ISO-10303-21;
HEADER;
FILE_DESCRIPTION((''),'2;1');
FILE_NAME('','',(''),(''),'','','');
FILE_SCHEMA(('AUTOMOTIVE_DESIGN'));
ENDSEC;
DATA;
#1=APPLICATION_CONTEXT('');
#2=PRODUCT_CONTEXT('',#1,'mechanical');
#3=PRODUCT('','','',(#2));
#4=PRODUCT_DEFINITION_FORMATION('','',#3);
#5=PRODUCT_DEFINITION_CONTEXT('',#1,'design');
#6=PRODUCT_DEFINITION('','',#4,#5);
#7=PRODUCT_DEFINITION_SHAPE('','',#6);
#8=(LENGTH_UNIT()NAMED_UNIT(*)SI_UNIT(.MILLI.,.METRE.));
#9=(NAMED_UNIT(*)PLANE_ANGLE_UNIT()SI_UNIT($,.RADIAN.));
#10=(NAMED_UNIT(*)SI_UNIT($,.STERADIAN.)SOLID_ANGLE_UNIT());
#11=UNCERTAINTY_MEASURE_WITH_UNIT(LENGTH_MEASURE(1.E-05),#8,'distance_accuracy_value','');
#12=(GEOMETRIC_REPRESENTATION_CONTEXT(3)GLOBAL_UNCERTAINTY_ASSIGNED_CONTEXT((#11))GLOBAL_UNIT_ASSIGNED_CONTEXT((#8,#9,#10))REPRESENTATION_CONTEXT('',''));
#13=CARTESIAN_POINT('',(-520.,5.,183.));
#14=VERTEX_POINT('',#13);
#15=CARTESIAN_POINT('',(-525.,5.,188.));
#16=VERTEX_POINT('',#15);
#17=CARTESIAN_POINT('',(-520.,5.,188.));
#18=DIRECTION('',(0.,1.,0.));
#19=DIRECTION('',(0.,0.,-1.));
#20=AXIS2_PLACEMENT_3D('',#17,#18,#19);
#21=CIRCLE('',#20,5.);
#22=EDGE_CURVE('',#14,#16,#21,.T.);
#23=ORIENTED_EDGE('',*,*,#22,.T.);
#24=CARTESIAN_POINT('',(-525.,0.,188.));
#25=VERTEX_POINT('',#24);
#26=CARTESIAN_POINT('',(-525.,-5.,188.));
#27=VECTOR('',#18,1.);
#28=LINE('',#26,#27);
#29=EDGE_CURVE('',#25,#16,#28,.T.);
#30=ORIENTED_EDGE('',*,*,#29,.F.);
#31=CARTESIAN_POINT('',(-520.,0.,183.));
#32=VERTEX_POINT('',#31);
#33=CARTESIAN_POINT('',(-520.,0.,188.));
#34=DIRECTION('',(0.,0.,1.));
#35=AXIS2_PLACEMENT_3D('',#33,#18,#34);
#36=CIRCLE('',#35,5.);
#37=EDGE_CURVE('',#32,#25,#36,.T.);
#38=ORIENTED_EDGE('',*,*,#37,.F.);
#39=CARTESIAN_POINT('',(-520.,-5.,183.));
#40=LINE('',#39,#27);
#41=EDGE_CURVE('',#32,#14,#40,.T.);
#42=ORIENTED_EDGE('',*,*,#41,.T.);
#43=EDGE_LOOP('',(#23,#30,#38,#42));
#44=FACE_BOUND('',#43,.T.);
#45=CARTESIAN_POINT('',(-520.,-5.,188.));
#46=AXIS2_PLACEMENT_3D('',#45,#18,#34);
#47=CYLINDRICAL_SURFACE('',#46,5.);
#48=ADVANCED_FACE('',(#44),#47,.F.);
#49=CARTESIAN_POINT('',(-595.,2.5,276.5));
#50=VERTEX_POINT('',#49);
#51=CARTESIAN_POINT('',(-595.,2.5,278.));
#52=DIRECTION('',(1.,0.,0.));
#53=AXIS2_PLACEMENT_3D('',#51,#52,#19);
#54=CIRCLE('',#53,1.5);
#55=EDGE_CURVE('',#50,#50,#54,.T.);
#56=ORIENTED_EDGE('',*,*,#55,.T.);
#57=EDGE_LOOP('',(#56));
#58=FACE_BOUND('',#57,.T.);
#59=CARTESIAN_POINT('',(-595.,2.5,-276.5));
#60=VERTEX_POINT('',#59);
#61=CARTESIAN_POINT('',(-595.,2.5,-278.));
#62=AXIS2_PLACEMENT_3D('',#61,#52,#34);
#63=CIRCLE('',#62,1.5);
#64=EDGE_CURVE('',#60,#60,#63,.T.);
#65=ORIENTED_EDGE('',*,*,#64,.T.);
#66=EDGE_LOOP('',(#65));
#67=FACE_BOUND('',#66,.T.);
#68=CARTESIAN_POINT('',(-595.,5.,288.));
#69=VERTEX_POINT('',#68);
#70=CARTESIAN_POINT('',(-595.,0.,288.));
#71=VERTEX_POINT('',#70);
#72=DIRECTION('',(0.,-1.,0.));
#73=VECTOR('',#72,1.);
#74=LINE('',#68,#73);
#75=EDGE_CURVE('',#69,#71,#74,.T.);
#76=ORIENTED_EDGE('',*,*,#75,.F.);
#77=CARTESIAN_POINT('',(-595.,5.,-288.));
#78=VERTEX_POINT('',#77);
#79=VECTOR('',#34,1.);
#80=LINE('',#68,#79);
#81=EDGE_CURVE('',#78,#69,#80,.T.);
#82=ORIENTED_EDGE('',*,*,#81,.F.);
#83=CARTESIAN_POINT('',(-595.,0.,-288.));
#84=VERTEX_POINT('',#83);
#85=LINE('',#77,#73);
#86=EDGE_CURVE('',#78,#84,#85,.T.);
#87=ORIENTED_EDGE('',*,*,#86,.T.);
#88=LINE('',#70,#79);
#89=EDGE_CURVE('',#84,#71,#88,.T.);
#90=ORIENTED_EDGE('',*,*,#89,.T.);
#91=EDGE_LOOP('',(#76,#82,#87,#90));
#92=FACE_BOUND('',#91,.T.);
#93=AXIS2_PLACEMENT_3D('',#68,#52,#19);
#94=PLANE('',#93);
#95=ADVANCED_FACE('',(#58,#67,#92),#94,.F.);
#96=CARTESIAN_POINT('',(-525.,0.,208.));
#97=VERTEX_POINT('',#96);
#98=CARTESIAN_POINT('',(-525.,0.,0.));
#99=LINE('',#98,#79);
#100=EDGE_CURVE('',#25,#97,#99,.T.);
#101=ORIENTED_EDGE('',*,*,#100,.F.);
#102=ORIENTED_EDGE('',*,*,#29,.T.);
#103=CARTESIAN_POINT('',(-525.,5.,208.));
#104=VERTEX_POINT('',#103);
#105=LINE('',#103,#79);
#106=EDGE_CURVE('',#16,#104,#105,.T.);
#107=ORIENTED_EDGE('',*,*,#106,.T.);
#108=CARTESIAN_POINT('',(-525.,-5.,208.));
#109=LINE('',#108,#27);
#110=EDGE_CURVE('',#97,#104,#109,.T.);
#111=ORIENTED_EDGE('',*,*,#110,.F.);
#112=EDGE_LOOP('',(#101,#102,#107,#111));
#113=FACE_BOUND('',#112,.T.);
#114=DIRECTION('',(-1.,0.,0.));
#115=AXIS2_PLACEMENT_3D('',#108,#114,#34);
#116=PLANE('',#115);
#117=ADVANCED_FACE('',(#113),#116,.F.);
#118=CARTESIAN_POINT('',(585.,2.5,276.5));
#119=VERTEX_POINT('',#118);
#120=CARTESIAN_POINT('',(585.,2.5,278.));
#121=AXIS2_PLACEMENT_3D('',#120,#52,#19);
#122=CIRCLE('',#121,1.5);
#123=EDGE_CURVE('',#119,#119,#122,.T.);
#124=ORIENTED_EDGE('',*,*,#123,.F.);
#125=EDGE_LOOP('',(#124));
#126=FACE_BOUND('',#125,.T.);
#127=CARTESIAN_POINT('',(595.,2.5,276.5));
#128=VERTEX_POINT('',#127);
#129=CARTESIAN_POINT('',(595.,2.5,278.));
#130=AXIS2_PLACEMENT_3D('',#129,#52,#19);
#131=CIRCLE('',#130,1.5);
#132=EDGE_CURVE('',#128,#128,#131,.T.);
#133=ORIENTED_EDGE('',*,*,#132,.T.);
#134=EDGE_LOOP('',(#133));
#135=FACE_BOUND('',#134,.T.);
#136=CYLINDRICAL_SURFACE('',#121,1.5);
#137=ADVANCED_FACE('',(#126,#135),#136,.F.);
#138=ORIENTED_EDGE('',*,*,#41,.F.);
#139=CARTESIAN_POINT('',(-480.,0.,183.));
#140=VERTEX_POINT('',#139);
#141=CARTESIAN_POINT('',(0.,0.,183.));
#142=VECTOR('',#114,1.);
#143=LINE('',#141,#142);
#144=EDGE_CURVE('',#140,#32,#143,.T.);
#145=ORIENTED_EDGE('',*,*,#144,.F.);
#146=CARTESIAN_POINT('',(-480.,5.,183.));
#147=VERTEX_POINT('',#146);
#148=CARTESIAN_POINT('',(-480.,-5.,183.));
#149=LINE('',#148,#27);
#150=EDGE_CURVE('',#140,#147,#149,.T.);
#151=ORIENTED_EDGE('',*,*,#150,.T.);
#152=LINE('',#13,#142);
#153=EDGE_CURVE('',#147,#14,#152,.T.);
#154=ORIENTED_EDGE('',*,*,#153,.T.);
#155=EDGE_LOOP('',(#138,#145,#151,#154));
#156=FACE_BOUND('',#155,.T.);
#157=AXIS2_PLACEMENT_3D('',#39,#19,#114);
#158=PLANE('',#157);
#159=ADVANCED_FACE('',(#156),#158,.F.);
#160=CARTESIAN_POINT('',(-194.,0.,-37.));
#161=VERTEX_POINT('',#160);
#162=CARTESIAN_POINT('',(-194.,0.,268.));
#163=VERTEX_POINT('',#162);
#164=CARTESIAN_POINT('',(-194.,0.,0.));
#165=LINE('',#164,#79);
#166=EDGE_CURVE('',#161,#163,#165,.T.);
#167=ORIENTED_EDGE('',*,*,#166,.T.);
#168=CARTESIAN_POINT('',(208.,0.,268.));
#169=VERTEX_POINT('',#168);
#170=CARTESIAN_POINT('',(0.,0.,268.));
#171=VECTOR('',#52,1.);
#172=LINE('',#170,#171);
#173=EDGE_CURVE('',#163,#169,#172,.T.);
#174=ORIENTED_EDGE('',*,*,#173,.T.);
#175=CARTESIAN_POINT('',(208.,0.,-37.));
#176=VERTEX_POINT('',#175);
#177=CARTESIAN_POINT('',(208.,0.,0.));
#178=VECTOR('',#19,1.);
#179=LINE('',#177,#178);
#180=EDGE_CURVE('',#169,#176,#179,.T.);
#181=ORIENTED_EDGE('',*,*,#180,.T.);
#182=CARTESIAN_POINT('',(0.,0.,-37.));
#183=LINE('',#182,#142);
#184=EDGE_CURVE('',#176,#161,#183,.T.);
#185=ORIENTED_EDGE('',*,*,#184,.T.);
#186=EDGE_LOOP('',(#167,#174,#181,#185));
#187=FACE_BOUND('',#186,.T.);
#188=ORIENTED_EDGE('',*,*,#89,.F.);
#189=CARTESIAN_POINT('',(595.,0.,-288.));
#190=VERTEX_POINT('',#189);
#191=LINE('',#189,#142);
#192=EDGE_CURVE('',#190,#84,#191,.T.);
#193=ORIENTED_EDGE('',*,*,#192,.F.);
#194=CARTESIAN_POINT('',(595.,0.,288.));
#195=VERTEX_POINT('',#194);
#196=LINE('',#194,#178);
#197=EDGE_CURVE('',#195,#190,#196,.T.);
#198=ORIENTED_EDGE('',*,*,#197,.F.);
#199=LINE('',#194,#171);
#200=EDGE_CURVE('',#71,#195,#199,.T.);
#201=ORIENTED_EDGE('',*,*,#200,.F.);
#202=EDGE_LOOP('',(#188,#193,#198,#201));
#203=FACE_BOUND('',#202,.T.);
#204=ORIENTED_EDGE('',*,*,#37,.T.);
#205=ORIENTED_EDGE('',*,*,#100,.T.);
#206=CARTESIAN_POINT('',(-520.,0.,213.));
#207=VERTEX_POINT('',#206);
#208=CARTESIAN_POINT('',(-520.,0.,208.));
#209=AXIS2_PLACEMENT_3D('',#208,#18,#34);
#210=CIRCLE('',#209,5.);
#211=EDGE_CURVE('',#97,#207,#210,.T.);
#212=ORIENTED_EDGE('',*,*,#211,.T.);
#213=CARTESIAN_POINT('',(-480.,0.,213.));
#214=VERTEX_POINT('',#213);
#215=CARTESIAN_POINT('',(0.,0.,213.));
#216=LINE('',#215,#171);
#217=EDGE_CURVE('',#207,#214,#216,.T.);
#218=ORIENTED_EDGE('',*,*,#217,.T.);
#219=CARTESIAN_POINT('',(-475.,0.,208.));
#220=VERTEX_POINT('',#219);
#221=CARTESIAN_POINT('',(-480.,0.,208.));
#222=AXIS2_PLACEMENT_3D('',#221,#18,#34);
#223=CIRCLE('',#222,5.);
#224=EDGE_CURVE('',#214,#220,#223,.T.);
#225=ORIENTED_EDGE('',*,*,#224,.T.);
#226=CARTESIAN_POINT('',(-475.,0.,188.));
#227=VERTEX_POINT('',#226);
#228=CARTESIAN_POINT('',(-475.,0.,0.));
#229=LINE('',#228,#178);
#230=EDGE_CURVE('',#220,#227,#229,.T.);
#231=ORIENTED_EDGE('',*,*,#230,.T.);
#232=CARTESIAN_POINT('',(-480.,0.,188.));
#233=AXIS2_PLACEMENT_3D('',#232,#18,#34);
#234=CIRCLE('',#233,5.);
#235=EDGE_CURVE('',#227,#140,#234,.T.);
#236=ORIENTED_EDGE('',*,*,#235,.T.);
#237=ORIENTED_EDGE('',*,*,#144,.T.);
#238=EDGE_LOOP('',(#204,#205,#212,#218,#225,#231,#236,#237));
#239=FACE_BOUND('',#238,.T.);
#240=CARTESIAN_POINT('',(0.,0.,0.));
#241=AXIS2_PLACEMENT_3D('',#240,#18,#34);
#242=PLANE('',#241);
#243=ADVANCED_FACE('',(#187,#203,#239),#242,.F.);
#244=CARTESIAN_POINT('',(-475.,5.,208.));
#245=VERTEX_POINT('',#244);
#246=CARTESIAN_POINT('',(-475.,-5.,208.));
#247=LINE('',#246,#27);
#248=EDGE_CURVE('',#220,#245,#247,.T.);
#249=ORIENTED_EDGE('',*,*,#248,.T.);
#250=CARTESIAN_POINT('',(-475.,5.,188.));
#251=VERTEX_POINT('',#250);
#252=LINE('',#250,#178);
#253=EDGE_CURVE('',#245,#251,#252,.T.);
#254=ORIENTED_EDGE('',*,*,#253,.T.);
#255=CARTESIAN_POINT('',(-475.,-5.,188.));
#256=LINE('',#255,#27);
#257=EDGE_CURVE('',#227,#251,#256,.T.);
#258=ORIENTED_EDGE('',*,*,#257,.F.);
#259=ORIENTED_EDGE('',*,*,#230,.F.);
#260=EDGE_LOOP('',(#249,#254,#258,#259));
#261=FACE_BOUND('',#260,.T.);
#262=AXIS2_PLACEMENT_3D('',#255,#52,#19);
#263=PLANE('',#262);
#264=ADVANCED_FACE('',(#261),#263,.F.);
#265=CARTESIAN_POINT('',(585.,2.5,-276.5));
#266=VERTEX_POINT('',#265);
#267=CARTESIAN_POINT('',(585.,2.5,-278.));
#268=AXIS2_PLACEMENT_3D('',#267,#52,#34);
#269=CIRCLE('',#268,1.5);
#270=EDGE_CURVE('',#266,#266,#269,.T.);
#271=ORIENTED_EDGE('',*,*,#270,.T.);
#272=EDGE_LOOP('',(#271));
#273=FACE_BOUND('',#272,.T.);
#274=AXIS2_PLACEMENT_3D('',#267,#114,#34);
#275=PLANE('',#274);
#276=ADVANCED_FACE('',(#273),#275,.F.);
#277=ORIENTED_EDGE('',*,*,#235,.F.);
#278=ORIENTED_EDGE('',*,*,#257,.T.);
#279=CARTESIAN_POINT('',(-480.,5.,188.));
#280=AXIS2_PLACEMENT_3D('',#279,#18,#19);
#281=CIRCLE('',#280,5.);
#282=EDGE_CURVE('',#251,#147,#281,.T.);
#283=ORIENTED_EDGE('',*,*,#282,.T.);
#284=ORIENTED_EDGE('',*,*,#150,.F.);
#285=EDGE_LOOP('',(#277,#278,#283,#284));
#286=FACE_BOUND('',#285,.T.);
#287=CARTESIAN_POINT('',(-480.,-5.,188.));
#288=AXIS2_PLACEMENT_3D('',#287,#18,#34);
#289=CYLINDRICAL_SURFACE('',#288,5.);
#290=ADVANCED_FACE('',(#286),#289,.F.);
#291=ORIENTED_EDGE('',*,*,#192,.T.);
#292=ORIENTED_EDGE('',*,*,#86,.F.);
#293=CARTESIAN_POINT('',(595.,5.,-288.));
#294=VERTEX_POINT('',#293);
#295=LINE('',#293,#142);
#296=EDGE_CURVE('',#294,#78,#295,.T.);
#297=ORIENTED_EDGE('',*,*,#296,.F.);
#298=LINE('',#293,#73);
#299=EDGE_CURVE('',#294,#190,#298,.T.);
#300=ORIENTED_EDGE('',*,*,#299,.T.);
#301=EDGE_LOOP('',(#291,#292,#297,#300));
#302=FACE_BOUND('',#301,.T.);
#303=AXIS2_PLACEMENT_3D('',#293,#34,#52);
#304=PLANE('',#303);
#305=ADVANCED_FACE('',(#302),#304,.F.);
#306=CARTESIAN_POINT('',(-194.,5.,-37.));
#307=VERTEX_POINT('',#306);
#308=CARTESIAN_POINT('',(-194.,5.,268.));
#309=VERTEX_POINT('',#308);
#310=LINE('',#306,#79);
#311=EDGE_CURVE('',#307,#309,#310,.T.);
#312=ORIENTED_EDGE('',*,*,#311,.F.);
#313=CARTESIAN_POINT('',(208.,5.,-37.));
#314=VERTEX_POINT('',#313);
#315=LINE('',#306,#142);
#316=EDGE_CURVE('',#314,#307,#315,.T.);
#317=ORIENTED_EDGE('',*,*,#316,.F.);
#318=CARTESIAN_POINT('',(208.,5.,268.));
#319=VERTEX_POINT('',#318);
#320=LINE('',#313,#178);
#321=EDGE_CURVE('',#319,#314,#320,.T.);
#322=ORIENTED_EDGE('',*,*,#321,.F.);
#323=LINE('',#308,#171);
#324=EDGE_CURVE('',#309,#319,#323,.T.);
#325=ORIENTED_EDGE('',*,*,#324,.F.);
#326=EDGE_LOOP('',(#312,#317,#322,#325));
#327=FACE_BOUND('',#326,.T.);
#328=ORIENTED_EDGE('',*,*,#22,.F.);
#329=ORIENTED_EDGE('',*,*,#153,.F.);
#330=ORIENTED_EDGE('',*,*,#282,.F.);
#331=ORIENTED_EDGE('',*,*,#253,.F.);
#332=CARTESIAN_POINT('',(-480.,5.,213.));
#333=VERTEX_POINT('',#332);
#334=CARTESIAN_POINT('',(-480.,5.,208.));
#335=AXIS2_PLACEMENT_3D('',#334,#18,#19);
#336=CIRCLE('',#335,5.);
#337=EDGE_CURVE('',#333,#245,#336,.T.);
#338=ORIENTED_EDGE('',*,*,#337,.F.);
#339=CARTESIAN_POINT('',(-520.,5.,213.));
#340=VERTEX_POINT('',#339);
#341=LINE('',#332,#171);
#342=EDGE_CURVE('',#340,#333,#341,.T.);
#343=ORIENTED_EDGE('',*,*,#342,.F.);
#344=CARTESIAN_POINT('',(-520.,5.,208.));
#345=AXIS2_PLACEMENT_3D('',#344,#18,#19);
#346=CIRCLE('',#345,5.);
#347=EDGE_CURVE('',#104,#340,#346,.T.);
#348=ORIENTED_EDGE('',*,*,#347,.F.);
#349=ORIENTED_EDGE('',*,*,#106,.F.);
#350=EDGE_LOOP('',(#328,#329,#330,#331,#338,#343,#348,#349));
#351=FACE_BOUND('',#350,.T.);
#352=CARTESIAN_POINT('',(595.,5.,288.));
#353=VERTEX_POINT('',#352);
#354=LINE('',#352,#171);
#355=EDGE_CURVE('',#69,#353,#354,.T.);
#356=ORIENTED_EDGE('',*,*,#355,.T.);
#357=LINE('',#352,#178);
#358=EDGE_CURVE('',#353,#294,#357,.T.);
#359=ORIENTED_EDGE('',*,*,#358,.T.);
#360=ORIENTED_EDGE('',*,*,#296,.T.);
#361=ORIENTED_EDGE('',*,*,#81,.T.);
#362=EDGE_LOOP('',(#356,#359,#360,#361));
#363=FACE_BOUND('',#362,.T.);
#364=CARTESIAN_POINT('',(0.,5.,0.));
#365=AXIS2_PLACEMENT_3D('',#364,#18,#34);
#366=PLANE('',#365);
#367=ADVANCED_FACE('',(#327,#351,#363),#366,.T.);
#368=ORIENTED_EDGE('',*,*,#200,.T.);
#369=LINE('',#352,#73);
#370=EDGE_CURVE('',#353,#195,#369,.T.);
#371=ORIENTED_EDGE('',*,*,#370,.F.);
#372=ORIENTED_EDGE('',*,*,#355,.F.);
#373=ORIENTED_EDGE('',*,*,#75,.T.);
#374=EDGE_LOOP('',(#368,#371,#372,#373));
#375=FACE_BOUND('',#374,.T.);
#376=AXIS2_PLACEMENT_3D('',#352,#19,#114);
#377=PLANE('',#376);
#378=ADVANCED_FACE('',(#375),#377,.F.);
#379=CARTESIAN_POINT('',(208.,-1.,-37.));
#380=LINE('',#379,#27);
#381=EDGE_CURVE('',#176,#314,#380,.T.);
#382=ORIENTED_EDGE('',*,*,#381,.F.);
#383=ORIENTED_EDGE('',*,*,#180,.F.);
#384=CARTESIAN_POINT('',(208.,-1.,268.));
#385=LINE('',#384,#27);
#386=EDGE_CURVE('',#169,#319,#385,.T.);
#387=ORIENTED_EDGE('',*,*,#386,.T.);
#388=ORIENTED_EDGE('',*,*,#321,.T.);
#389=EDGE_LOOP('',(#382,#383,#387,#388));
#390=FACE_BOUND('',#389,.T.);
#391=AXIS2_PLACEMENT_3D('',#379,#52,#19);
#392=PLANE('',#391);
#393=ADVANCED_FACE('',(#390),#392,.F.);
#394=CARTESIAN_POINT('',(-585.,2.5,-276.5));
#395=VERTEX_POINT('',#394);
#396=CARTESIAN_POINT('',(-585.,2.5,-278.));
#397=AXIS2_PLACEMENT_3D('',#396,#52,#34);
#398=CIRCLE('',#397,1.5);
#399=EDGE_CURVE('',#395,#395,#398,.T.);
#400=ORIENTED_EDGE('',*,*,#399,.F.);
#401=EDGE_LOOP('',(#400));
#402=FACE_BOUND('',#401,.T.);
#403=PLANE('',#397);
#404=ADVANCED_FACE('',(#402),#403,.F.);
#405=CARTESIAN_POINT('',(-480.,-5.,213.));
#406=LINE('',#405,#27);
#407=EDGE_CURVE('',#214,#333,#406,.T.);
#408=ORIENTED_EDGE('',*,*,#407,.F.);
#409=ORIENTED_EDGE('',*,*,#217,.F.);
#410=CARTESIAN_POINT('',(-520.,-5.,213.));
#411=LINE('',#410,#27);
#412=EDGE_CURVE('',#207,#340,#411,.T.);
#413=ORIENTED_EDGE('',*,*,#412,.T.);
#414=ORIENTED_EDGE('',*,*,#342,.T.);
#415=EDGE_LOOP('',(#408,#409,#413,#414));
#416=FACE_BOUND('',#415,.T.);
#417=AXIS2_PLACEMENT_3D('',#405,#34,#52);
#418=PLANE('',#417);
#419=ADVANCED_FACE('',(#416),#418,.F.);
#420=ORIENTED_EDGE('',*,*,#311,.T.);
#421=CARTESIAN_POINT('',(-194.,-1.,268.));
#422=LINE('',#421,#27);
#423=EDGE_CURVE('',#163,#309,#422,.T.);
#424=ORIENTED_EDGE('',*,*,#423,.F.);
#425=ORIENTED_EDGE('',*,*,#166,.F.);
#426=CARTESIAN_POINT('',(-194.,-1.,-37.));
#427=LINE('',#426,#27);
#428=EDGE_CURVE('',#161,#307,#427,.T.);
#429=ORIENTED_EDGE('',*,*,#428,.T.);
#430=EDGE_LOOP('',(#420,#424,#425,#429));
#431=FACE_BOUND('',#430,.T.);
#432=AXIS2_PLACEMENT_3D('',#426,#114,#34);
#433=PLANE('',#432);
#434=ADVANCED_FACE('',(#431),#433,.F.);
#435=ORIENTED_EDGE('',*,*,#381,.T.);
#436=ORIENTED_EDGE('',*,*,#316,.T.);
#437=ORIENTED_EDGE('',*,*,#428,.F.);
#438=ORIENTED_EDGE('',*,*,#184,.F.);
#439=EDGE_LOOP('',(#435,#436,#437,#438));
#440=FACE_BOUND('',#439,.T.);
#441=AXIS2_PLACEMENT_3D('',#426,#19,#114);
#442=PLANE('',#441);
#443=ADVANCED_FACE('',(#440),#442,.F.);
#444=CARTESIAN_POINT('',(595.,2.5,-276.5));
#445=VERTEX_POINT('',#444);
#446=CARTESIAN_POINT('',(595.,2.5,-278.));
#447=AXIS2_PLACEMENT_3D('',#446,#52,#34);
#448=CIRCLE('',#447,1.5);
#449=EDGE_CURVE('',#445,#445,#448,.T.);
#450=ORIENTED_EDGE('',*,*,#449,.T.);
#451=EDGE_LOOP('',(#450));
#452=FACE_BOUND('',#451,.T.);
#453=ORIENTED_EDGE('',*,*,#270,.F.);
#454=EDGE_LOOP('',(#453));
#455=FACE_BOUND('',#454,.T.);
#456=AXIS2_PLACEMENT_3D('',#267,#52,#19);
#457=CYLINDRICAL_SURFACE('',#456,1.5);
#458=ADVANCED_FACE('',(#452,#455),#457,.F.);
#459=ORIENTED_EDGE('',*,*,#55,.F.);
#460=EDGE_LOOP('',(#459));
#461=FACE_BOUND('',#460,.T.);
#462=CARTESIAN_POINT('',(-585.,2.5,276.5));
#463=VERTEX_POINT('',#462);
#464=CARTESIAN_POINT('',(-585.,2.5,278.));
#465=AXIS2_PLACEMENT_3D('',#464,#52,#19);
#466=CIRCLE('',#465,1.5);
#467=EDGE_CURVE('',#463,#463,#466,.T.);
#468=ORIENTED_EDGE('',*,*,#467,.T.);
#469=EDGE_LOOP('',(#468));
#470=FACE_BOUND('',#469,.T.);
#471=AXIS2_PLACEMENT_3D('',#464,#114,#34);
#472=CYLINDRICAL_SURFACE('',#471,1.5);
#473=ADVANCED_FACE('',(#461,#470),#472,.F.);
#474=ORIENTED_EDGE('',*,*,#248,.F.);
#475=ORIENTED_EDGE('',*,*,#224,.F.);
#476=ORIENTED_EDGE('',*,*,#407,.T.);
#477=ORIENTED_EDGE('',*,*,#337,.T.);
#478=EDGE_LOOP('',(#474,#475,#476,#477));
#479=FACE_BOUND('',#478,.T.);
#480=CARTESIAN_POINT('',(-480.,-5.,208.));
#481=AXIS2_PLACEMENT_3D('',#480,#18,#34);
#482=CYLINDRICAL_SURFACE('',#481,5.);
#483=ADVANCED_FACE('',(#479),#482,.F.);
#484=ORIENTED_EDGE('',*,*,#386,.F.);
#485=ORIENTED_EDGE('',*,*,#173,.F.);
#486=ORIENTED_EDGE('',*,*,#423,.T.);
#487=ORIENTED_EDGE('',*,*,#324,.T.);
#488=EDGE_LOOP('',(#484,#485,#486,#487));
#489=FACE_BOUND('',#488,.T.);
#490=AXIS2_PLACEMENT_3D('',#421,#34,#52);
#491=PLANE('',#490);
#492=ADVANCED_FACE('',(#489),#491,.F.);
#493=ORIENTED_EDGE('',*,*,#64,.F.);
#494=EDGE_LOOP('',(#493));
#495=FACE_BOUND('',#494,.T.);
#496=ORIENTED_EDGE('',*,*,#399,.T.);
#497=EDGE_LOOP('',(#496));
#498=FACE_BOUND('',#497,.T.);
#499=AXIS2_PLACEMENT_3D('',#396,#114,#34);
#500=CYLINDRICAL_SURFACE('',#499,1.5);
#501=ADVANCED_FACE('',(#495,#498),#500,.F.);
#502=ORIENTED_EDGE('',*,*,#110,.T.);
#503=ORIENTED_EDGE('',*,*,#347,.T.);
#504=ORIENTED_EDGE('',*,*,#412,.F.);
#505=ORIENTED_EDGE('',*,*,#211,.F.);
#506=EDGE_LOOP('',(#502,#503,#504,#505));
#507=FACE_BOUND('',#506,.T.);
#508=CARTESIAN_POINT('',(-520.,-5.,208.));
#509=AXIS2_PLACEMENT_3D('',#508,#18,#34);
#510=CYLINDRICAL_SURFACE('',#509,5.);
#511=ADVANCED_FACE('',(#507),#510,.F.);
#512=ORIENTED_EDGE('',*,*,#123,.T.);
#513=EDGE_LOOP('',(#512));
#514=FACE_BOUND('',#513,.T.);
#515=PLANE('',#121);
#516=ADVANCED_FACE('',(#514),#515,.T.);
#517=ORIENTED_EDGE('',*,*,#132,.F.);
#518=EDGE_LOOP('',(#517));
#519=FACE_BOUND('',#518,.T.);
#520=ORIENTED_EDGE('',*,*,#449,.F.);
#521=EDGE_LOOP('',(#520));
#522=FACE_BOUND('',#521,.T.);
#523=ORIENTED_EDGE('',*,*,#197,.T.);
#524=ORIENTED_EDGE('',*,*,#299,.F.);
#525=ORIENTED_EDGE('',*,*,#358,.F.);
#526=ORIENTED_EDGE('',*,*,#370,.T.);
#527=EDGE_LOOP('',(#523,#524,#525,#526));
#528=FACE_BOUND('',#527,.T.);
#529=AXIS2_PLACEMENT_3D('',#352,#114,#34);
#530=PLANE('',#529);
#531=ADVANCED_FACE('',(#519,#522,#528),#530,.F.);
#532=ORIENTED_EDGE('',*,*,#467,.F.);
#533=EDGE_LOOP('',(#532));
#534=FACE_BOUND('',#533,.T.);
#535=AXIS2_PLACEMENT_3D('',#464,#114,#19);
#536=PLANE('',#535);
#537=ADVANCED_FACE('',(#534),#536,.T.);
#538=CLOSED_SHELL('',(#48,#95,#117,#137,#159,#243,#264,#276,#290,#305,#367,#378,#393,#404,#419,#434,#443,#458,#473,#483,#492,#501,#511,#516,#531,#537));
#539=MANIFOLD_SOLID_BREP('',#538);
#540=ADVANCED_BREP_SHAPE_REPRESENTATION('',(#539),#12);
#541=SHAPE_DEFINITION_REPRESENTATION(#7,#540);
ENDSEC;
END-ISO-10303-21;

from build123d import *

# Parameters (mm, degrees)
SKETCH1_W           = 1190
SKETCH1_H           = 576
BOSS_EXTRUDE1_DEPTH = 5
SKETCH2_R           = 1.5
CUT_EXTRUDE1_DEPTH  = 10
SKETCH3_W           = 150
SKETCH3_H           = 150
CUT_EXTRUDE2_DEPTH  = 10
SKETCH4_W           = 402
SKETCH4_H           = 305
CUT_EXTRUDE3_DEPTH  = 6
CUT_EXTRUDE4_DEPTH  = 10


with BuildPart() as part:
    # Sketch1 → Boss-Extrude1 (new body)
    with BuildSketch(Plane(origin=(0, 0, 0), x_dir=(1, 0, 0), z_dir=(0, 1, 0))):
        Rectangle(SKETCH1_W, SKETCH1_H)
    extrude(amount=BOSS_EXTRUDE1_DEPTH)

    # Sketch2 → Cut-Extrude1 (cut)
    with BuildSketch(Plane(origin=(595, 0, 0), x_dir=(0, 0, -1), z_dir=(1, 0, 0))):
        with Locations((-278, 2.5)):
            Circle(SKETCH2_R)
        with Locations(Location((278, 2.5, 0), (0, 0, 180))):
            Circle(SKETCH2_R)
    cut_extrude1 = extrude(amount=-CUT_EXTRUDE1_DEPTH, mode=Mode.SUBTRACT)

    # Mirror1: Cut-Extrude1 across plane
    add(cut_extrude1.mirror(Plane(origin=(0, 0, 0), x_dir=(0, 0, 1), z_dir=(1, 0, 0))), mode=Mode.SUBTRACT)

    # Sketch3 → Cut-Extrude2 (cut)
    with BuildSketch(Plane(origin=(0, 5, 0), x_dir=(1, 0, 0), z_dir=(0, 1, 0))):
        with Locations((5, -143)):
            Rectangle(SKETCH3_W, SKETCH3_H)
    extrude(amount=-CUT_EXTRUDE2_DEPTH, mode=Mode.SUBTRACT)

    # Sketch4 → Cut-Extrude3 (cut)
    with BuildSketch(Plane(origin=(0, 5, 0), x_dir=(1, 0, 0), z_dir=(0, 1, 0))):
        with Locations((7, -115.5)):
            Rectangle(SKETCH4_W, SKETCH4_H)
    extrude(amount=-CUT_EXTRUDE3_DEPTH, mode=Mode.SUBTRACT)

    # Sketch5 → Cut-Extrude4 (cut)
    with BuildSketch(Plane(origin=(0, 5, 0), x_dir=(1, 0, 0), z_dir=(0, 1, 0))):
        with BuildLine():
            Line((-520, -183), (-480, -183))
            ThreePointArc((-480, -183), (-476.464466094, -184.464466094), (-475, -188))
            Line((-475, -188), (-475, -208))
            ThreePointArc((-475, -208), (-476.464466094, -211.535533906), (-480, -213))
            Line((-480, -213), (-520, -213))
            ThreePointArc((-520, -213), (-523.535533906, -211.535533906), (-525, -208))
            Line((-525, -208), (-525, -188))
            ThreePointArc((-525, -188), (-523.535533906, -184.464466094), (-520, -183))
        make_face()
    extrude(amount=-CUT_EXTRUDE4_DEPTH, mode=Mode.SUBTRACT)


solid = part.part
